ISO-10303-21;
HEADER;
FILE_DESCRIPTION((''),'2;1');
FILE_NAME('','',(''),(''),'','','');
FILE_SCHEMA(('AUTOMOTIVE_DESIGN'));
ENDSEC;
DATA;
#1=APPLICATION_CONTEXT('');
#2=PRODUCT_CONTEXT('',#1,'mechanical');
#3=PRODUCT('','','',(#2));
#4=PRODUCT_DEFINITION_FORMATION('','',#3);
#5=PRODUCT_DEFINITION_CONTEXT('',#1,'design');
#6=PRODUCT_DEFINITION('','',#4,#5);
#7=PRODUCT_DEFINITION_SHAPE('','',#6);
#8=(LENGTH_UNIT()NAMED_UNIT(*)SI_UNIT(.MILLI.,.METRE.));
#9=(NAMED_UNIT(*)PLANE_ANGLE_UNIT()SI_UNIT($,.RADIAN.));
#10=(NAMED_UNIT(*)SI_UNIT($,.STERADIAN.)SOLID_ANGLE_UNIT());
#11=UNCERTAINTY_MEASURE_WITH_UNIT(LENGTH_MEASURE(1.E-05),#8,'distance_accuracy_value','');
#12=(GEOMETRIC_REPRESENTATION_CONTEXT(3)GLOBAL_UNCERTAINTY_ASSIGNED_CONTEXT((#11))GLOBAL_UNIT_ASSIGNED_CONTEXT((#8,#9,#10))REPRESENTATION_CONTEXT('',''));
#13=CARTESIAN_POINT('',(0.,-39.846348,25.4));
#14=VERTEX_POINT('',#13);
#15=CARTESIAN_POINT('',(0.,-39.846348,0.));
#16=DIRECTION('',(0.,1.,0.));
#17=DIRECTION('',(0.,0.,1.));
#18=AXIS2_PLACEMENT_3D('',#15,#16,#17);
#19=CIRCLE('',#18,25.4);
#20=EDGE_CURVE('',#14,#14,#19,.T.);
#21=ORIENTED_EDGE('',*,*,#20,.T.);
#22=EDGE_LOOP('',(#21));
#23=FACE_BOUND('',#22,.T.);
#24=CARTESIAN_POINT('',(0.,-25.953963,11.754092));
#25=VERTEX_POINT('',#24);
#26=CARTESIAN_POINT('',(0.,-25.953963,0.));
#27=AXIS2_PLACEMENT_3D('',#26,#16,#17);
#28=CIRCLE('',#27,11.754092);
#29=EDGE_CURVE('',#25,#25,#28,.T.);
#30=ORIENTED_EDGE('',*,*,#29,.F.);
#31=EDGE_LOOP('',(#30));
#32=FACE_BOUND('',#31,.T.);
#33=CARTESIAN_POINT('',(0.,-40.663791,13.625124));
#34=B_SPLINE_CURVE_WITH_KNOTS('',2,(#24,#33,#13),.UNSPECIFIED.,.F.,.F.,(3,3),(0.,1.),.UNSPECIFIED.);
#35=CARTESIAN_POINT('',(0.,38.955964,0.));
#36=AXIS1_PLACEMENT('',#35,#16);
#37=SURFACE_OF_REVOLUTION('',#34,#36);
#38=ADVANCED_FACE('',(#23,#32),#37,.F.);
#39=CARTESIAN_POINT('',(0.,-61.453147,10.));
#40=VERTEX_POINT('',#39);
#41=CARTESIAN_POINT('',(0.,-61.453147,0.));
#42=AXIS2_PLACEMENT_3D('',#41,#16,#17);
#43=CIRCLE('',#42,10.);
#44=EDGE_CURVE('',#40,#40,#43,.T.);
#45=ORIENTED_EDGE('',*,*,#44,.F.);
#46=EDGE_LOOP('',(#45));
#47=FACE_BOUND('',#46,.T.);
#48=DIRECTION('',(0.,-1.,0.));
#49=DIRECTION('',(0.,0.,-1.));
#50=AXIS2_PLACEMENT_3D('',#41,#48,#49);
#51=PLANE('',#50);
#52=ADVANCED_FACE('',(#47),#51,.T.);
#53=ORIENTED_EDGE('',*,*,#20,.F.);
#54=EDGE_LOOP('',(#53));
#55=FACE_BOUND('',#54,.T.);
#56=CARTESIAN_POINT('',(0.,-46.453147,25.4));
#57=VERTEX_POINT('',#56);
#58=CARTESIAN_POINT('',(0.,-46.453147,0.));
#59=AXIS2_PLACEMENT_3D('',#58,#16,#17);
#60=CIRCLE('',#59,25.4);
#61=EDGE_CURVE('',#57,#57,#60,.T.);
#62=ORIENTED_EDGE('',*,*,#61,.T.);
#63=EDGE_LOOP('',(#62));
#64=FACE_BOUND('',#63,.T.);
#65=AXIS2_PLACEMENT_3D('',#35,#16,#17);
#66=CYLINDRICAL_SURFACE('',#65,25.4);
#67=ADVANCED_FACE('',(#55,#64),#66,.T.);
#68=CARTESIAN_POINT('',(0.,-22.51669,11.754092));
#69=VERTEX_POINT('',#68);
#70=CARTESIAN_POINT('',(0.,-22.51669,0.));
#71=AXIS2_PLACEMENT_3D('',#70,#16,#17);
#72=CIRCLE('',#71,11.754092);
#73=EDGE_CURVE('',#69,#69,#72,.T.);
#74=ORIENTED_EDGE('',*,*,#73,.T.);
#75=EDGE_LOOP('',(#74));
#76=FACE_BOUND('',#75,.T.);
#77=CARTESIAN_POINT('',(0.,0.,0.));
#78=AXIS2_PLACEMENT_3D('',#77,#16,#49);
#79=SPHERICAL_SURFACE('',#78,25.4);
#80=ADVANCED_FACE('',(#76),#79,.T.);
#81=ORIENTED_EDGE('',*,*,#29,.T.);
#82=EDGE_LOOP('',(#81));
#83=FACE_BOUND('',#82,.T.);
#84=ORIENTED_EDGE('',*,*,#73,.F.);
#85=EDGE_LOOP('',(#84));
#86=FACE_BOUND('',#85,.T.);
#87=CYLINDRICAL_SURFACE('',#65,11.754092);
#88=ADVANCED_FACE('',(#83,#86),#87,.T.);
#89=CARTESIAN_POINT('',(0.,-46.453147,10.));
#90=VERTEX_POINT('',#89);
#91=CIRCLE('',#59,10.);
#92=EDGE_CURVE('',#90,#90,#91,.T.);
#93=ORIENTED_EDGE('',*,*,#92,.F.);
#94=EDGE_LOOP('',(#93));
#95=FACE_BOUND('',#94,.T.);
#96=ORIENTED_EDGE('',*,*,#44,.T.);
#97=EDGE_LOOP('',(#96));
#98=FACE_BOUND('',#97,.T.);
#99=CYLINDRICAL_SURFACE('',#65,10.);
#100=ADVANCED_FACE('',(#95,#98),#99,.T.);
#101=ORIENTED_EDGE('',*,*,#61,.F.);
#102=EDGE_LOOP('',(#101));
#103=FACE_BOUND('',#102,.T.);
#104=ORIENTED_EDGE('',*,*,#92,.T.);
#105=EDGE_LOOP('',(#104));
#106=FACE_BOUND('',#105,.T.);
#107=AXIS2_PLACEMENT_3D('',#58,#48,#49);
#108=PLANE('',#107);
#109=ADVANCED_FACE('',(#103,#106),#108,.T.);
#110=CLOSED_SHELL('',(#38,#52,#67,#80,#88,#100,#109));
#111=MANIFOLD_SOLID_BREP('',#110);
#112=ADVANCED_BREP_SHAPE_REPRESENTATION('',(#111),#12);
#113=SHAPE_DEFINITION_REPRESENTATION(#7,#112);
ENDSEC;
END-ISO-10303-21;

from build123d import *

# Parameters (mm, degrees)
SKETCH1_W = 10
SKETCH1_H = 15


with BuildPart() as part:
    # Sketch1 → Revolve2 (revolve)
    with BuildSketch(Plane(origin=(0, 0, 0), x_dir=(0, 0, -1), z_dir=(1, 0, 0))):
        with BuildLine():
            Line((0, 25.4), (0, -25.4))
            ThreePointArc((0, -25.4), (-25.4, 0), (0, 25.4))
        make_face()
        with BuildLine():
            Line((0, -46.453146802), (0, -25.4))
            ThreePointArc((0, -25.4), (-6.051284035, -24.668643285), (-11.754091911, -22.516689884))
            Line((-11.754091911, -22.516689884), (-11.754091911, -25.953962773))
            add(Edge.make_bspline(
                [(-11.754091911, -25.953962773), (-13.625124372, -40.663791469), (-25.4, -39.846348213)],
                knots=[0, 0, 0, 1, 1, 1], degree=2))
            Line((-25.4, -39.846348213), (-25.4, -46.453146802))
            Line((-25.4, -46.453146802), (-10, -46.453146802))
            Line((-10, -46.453146802), (0, -46.453146802))
        make_face()
        with Locations((-5, -53.953146802)):
            Rectangle(SKETCH1_W, SKETCH1_H)
    revolve(axis=Axis((0, 38.955963628, 0), (0, -1, 0)))


solid = part.part
